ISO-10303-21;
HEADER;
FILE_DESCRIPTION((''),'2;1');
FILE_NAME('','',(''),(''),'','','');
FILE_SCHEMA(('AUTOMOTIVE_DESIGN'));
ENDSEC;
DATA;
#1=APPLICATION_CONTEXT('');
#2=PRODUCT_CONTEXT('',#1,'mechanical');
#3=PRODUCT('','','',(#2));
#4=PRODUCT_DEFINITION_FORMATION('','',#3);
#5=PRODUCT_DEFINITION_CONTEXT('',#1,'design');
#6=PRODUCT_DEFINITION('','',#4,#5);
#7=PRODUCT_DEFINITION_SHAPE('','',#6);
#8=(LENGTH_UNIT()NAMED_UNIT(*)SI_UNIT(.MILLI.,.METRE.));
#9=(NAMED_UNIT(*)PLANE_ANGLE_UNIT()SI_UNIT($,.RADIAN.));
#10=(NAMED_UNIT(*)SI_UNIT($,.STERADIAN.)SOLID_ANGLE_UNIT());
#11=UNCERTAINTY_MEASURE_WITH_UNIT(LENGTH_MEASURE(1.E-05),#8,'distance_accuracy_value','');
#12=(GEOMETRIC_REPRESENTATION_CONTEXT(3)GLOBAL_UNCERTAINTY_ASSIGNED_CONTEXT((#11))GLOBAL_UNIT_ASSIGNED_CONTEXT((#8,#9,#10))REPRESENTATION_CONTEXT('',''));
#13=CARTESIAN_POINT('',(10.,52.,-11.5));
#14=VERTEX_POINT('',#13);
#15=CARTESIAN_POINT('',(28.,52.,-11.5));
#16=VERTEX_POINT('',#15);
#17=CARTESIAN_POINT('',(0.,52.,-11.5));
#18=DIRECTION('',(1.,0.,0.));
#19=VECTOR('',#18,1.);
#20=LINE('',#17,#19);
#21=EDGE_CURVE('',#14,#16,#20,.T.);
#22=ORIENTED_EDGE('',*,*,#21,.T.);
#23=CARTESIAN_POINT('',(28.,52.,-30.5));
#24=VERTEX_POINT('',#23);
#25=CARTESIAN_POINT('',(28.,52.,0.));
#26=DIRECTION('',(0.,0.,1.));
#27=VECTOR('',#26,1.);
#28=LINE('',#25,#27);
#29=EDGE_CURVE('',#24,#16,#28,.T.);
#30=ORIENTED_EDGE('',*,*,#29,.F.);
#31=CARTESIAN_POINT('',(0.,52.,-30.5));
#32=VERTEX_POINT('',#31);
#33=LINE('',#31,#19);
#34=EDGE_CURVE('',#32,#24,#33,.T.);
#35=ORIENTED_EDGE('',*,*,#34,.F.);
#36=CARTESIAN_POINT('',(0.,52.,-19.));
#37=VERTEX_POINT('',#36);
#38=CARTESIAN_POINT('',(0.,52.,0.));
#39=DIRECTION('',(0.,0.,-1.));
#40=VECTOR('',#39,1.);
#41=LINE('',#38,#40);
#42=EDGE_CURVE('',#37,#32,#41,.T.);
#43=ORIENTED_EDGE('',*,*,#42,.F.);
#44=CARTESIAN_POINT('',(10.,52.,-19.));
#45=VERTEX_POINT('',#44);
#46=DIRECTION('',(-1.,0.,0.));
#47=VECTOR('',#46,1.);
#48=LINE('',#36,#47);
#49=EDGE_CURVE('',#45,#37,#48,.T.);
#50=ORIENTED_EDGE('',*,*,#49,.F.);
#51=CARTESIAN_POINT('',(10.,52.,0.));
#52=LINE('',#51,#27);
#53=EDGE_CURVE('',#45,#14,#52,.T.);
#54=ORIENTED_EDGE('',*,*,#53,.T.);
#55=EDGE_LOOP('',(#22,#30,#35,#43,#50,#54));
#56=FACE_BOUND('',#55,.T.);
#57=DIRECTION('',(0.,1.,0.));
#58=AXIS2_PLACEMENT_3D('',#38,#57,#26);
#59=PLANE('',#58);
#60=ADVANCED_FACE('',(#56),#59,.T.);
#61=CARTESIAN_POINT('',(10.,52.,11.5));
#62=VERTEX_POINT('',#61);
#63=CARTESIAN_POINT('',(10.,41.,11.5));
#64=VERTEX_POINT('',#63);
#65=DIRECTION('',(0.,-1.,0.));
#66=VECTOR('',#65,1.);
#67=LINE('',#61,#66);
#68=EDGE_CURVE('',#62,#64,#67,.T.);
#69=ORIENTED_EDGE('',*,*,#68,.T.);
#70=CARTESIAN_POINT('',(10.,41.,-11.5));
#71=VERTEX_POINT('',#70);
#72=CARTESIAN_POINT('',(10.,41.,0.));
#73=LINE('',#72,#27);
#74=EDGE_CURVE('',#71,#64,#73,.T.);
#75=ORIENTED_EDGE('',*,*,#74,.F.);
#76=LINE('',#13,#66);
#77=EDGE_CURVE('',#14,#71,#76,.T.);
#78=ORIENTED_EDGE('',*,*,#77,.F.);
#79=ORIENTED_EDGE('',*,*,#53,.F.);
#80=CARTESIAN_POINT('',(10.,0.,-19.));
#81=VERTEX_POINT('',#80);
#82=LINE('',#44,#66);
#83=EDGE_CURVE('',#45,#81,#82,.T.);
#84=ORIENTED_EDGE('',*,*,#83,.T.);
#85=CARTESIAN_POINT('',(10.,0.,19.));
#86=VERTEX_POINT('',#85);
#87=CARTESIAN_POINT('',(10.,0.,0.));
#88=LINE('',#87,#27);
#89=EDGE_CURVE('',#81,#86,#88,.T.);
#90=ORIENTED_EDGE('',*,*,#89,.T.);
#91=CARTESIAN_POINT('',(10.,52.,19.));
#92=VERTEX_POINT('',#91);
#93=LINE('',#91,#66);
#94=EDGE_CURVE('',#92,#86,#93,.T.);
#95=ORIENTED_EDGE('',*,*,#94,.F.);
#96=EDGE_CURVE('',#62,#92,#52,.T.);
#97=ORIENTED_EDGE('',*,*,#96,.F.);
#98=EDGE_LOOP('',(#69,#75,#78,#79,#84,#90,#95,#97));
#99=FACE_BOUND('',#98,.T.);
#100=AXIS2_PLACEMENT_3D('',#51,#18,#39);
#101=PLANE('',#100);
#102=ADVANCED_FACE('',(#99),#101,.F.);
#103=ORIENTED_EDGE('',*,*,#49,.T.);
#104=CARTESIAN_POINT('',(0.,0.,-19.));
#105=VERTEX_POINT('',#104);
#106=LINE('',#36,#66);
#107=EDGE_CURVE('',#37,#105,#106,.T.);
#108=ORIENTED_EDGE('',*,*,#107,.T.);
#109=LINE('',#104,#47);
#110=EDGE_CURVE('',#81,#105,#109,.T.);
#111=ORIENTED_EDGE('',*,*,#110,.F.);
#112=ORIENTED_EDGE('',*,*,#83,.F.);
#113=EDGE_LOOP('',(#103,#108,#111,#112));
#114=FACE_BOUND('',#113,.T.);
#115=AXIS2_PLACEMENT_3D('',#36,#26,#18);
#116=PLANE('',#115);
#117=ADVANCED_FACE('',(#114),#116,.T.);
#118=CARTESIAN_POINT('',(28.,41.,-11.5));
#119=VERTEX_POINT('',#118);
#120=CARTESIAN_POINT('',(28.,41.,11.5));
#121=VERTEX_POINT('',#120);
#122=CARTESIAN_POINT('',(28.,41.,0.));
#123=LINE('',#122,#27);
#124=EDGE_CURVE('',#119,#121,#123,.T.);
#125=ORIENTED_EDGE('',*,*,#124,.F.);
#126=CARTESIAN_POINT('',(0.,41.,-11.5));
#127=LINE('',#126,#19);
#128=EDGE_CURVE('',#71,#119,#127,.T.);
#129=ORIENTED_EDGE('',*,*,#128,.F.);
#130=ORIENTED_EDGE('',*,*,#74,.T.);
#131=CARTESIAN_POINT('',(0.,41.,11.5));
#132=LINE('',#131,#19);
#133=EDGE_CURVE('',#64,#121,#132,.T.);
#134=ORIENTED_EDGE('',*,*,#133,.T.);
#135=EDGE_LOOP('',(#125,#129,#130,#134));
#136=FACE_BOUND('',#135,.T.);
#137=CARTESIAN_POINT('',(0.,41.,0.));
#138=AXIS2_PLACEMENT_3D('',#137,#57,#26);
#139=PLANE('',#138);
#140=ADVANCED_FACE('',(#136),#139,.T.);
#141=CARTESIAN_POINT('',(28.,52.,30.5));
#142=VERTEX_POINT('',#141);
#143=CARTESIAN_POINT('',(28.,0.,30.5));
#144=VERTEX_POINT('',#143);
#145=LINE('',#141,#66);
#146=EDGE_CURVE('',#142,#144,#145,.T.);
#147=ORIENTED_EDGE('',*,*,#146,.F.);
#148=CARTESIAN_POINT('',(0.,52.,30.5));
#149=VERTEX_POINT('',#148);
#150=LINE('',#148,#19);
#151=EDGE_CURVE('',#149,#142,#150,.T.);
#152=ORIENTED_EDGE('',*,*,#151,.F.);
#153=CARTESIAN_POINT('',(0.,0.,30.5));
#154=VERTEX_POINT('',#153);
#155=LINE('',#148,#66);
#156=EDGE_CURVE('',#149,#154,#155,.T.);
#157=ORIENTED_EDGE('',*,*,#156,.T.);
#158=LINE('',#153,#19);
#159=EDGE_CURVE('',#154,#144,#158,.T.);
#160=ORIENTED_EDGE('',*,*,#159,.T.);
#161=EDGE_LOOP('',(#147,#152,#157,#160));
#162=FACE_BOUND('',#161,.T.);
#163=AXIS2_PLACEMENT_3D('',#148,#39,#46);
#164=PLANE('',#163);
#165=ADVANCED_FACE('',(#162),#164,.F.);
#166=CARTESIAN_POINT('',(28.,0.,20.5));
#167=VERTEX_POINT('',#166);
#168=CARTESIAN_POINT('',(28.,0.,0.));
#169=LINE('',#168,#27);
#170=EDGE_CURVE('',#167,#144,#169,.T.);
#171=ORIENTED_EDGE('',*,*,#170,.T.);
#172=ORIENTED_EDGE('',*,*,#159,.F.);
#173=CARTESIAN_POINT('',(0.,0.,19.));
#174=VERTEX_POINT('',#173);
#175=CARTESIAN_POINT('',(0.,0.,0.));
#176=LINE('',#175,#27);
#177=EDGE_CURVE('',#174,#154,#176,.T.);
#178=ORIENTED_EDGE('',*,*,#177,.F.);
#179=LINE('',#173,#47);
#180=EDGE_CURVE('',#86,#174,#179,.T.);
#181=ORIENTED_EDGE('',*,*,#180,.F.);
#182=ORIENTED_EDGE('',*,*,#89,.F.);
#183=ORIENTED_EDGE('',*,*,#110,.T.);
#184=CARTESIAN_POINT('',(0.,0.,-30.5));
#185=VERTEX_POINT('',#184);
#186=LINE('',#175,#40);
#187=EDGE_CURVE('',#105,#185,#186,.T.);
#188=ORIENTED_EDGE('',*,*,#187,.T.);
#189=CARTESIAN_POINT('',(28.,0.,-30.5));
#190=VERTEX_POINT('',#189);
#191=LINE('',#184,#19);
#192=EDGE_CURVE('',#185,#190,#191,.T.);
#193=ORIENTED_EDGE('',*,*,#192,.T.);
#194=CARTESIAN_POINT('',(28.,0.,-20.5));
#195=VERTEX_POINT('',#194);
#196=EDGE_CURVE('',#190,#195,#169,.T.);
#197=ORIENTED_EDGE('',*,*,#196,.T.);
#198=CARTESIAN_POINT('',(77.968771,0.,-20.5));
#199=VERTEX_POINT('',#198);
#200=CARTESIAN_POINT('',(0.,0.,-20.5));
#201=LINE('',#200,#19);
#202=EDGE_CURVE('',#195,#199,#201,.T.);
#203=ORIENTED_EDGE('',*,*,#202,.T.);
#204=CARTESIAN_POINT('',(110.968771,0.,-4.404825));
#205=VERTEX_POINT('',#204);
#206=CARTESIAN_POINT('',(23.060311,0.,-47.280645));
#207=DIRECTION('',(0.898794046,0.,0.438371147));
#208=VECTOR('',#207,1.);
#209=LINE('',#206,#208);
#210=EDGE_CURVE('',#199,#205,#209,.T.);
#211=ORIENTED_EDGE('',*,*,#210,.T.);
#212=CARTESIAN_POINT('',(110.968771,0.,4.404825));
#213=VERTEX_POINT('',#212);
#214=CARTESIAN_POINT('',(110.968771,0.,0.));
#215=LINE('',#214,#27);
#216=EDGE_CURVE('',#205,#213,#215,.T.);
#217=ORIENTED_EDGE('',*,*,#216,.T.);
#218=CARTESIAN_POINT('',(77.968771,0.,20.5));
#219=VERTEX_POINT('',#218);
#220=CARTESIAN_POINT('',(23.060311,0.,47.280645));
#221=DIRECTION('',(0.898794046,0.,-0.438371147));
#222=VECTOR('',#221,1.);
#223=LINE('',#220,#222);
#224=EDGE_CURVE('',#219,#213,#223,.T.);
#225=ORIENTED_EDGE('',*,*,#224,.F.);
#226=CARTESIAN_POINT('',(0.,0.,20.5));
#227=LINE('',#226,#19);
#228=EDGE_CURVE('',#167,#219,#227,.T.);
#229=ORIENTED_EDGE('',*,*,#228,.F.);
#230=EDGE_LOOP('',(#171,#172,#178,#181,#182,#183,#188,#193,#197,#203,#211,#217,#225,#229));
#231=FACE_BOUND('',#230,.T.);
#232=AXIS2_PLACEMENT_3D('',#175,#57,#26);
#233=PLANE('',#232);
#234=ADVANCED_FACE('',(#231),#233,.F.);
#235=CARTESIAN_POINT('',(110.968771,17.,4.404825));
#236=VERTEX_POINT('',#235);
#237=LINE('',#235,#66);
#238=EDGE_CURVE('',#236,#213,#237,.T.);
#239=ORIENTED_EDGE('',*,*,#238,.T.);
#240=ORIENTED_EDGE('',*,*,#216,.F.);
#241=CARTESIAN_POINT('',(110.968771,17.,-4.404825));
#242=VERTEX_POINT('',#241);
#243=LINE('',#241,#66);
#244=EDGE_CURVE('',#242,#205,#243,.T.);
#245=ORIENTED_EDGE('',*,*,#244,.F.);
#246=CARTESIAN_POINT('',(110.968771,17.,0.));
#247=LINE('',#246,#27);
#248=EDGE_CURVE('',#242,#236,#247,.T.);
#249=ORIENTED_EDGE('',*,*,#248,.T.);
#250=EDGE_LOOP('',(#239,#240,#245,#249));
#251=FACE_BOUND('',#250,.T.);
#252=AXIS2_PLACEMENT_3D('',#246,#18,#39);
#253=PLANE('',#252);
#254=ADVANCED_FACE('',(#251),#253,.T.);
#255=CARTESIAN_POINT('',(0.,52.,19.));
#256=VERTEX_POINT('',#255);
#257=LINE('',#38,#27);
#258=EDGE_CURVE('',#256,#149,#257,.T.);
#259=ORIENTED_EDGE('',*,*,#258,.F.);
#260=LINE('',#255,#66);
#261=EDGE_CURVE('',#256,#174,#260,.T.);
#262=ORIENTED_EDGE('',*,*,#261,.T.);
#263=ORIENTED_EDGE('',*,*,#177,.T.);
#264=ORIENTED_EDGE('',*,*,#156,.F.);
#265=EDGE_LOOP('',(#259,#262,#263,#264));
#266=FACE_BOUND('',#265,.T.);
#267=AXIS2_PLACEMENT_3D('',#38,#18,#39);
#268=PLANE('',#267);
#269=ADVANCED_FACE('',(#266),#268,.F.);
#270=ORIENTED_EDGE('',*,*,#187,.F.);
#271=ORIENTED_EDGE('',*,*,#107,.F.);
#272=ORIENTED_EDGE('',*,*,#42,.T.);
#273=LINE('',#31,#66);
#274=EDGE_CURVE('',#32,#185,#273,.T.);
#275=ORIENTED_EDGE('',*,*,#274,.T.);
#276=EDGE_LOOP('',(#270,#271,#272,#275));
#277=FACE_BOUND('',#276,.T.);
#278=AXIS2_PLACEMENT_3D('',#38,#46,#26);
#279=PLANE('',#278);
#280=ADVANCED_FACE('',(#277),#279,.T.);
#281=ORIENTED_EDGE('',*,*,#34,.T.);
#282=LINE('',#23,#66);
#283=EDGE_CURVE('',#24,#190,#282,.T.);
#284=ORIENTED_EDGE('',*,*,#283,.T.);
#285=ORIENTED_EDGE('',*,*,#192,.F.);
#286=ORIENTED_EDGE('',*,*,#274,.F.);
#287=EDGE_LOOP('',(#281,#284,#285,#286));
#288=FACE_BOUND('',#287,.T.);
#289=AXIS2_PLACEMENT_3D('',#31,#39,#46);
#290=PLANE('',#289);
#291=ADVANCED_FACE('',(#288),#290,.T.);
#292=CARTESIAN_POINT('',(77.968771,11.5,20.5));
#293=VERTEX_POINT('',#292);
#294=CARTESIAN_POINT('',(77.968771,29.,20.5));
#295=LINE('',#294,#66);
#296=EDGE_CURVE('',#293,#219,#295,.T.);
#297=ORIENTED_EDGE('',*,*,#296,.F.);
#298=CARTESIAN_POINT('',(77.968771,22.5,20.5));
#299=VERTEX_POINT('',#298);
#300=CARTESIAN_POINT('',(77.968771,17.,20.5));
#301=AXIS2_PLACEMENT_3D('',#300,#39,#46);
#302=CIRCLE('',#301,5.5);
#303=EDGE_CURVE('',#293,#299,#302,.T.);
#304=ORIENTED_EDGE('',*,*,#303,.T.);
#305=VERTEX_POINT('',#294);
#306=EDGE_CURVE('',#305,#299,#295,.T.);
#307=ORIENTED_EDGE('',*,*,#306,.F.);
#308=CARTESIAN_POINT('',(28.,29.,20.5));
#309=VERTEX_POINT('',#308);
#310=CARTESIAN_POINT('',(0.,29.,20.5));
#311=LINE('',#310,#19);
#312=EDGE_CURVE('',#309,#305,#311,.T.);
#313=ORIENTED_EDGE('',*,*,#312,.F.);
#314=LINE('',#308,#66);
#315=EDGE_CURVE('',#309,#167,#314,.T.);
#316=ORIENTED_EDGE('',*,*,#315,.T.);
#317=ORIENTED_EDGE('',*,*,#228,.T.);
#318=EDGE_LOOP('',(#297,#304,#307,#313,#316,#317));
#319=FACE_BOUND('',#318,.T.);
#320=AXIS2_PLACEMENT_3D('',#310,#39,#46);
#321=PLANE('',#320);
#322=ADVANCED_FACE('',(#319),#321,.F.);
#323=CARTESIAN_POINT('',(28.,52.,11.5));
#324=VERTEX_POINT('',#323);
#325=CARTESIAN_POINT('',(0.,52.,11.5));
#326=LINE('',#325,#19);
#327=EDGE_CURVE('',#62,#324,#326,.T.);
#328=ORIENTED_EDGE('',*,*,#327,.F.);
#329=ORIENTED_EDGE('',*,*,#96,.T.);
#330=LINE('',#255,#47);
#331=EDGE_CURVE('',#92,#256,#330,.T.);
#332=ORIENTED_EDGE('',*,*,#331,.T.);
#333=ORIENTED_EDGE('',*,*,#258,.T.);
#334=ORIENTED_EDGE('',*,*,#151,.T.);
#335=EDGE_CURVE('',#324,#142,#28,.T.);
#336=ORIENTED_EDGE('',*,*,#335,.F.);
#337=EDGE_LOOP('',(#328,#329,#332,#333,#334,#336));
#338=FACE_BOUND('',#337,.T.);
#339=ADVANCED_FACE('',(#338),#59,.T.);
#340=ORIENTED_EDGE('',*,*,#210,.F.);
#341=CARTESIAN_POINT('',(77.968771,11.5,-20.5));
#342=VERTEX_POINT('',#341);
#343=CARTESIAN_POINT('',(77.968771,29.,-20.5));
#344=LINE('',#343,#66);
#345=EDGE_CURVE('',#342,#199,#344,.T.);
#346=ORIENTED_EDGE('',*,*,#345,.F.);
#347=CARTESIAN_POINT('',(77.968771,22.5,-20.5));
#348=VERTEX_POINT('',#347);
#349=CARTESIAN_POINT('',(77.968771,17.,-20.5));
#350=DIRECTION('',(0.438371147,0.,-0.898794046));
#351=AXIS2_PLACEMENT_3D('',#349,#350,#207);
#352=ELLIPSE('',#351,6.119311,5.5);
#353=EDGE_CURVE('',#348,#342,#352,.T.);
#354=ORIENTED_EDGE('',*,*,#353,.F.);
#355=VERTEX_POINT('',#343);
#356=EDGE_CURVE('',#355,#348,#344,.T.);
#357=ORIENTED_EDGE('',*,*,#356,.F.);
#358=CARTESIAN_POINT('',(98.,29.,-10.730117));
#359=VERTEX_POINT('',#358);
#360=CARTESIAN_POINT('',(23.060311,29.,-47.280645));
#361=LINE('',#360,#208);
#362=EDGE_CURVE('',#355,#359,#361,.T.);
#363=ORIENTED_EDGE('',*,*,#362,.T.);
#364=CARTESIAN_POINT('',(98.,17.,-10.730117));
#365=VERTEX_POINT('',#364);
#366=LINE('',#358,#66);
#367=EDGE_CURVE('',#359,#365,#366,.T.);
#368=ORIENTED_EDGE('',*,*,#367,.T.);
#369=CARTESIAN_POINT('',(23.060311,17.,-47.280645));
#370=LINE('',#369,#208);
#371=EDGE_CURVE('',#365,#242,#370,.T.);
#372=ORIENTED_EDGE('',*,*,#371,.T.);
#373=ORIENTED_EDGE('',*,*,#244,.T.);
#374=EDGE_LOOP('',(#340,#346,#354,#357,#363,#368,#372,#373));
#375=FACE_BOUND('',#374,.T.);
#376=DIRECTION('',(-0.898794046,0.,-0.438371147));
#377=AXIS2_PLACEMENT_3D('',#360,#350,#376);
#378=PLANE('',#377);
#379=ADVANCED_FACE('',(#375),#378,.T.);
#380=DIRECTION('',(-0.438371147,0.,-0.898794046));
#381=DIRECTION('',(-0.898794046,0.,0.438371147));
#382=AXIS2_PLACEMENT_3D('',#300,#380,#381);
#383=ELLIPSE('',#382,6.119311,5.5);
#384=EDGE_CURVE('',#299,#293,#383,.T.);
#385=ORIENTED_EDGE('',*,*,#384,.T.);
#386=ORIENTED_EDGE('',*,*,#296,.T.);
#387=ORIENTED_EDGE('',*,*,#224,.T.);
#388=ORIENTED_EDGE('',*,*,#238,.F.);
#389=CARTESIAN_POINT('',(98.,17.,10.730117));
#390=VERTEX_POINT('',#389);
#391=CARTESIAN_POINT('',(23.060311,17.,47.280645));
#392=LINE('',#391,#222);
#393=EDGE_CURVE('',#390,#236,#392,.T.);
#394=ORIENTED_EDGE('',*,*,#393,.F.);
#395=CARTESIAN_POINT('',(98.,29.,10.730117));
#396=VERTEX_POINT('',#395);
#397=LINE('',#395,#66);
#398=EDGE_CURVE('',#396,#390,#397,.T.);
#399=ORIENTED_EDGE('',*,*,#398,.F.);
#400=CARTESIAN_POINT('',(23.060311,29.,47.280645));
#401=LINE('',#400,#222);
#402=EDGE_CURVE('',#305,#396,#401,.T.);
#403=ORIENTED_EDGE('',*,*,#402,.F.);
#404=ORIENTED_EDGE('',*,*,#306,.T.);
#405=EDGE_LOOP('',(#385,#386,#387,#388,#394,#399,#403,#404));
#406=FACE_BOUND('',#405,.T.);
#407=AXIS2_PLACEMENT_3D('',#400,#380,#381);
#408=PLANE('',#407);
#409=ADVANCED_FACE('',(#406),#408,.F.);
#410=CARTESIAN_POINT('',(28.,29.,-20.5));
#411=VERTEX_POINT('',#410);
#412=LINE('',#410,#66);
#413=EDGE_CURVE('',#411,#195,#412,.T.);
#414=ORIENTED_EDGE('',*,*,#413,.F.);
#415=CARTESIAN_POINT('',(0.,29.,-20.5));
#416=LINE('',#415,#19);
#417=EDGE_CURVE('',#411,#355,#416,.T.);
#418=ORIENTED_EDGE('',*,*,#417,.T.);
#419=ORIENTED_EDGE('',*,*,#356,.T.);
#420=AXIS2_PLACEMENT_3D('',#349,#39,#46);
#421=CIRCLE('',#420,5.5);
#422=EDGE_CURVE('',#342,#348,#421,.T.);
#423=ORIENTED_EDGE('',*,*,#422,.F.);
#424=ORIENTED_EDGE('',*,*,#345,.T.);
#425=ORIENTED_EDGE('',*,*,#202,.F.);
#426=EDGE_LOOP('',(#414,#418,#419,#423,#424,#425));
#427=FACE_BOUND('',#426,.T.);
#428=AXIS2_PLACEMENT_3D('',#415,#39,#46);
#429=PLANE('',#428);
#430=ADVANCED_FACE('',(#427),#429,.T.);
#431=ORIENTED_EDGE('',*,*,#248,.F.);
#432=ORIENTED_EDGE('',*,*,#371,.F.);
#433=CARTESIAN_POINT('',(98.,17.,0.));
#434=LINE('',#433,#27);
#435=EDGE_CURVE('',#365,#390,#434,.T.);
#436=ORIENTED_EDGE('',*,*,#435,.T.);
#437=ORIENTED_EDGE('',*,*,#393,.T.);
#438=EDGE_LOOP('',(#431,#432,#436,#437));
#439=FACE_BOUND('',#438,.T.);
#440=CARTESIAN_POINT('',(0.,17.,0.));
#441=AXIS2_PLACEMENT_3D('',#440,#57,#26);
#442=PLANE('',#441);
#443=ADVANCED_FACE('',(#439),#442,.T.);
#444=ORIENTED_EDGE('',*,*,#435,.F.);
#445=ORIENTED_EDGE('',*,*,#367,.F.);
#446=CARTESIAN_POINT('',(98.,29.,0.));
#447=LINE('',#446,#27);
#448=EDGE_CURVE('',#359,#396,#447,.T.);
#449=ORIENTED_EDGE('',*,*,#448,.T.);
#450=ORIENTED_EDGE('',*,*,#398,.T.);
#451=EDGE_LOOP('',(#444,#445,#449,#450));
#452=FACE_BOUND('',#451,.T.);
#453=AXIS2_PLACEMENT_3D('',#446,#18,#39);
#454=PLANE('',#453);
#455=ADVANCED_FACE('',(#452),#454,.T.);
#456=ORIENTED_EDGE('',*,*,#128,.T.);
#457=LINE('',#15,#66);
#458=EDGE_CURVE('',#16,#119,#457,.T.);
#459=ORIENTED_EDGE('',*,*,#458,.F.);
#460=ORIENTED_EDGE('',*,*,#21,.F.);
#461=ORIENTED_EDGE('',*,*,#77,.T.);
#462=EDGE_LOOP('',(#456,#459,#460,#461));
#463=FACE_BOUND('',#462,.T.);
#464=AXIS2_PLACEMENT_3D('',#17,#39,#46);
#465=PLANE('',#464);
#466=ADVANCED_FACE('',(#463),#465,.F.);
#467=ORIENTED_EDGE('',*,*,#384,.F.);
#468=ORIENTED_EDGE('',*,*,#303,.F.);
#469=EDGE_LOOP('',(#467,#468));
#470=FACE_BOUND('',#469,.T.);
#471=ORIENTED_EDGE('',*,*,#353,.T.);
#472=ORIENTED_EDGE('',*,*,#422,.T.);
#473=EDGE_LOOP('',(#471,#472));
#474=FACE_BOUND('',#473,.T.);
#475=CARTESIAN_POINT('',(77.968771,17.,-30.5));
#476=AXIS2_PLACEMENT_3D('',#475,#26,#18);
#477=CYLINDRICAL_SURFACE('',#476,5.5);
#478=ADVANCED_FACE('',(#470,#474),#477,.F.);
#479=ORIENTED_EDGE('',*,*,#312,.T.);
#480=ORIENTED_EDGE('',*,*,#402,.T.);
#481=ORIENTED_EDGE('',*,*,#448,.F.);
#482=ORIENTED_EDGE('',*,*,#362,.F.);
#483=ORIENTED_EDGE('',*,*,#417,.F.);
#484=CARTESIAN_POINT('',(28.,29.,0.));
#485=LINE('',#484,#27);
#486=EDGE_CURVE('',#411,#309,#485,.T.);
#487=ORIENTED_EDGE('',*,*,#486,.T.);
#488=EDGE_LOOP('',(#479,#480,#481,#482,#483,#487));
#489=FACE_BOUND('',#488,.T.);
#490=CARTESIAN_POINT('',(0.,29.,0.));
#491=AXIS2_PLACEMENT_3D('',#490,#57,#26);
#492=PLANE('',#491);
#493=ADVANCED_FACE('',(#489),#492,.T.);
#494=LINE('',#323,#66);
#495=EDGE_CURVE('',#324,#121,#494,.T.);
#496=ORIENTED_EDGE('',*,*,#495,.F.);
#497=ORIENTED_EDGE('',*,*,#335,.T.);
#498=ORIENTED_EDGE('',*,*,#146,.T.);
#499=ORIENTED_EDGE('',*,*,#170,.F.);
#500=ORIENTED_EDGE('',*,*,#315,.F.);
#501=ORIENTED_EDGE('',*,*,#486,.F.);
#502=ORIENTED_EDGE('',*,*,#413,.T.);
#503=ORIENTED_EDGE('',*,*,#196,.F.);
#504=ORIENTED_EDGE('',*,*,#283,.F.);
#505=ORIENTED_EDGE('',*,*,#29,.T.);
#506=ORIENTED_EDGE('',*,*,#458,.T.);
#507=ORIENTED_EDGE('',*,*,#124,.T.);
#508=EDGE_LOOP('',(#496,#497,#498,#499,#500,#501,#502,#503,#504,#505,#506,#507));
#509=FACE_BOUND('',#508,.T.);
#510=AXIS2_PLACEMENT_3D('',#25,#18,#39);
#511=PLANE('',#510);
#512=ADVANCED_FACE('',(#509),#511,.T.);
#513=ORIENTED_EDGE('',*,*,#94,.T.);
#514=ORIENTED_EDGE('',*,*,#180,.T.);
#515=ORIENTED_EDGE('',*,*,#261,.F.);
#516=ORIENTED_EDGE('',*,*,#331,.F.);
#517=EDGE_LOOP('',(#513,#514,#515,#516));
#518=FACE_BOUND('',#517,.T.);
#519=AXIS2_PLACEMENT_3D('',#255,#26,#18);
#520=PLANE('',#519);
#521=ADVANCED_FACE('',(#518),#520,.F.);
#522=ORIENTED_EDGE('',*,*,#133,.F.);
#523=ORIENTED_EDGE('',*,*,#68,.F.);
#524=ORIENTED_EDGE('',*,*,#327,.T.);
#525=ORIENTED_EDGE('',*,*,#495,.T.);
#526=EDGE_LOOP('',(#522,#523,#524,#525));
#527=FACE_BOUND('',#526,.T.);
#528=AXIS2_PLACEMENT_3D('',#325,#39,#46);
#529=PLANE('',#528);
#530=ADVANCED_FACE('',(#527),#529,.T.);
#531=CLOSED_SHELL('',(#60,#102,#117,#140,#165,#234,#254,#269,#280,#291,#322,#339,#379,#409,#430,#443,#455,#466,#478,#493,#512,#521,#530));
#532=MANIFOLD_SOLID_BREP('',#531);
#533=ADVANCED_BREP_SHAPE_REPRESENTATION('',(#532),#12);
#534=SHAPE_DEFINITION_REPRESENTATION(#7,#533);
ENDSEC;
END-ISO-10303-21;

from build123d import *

# Parameters (mm, degrees)
BOSS_EXTRUDE1_DEPTH   = 52
BOSS_EXTRUDE1_2_DEPTH = 52
SKETCH1_3_W           = 18
SKETCH1_3_H           = 23
BOSS_EXTRUDE2_DEPTH   = 41
BOSS_EXTRUDE3_DEPTH   = 29
BOSS_EXTRUDE4_DEPTH   = 17
SKETCH2_R             = 5.5
CUT_EXTRUDE1_DEPTH    = 30.5


with BuildPart() as part:
    # Sketch1 → Boss-Extrude1 (new body)
    with BuildSketch(Plane(origin=(0, 0, 0), x_dir=(1, 0, 0), z_dir=(0, 1, 0))):
        Polygon((0, 19), (10, 19), (10, 11.5), (28, 11.5), (28, 30.5), (0, 30.5), align=None)
    extrude(amount=BOSS_EXTRUDE1_DEPTH)



with BuildPart() as body_2:
    # Sketch1 → Boss-Extrude1 2 (new body)
    with BuildSketch(Plane(origin=(0, 0, 0), x_dir=(1, 0, 0), z_dir=(0, 1, 0))):
        Polygon((28, -11.5), (10, -11.5), (10, -19), (0, -19), (0, -30.5), (28, -30.5), align=None)
    extrude(amount=BOSS_EXTRUDE1_2_DEPTH)


with BuildPart() as part_1:
    add(part.part)

    add(body_2.part)  # Boss-Extrude2 merges body 2
    # Sketch1<3> → Boss-Extrude2 (add)
    with BuildSketch(Plane(origin=(0, 0, 0), x_dir=(1, 0, 0), z_dir=(0, 1, 0))):
        with Locations((19, 0)):
            Rectangle(SKETCH1_3_W, SKETCH1_3_H)
    extrude(amount=BOSS_EXTRUDE2_DEPTH)

    # Sketch1<4> → Boss-Extrude3 (add)
    with BuildSketch(Plane(origin=(0, 0, 0), x_dir=(1, 0, 0), z_dir=(0, 1, 0))):
        Polygon((28, 20.5), (28, 11.5), (28, -11.5), (28, -20.5), (77.968771248, -20.5), (98, -10.730116948), (98, 10.730116948), (77.968771248, 20.5), align=None)
    extrude(amount=BOSS_EXTRUDE3_DEPTH)

    # Sketch1<5> → Boss-Extrude4 (add)
    with BuildSketch(Plane(origin=(0, 0, 0), x_dir=(1, 0, 0), z_dir=(0, 1, 0))):
        Polygon((110.968771248, 4.404824577), (98, 10.730116948), (98, -10.730116948), (110.968771248, -4.404824577), align=None)
    extrude(amount=BOSS_EXTRUDE4_DEPTH)

    # Sketch2 → Cut-Extrude1 (cut, symmetric)
    with BuildSketch(Plane.XY):
        with Locations((77.968771248, 17)):
            Circle(SKETCH2_R)
    extrude(amount=CUT_EXTRUDE1_DEPTH, both=True, mode=Mode.SUBTRACT)


solid = part_1.part
